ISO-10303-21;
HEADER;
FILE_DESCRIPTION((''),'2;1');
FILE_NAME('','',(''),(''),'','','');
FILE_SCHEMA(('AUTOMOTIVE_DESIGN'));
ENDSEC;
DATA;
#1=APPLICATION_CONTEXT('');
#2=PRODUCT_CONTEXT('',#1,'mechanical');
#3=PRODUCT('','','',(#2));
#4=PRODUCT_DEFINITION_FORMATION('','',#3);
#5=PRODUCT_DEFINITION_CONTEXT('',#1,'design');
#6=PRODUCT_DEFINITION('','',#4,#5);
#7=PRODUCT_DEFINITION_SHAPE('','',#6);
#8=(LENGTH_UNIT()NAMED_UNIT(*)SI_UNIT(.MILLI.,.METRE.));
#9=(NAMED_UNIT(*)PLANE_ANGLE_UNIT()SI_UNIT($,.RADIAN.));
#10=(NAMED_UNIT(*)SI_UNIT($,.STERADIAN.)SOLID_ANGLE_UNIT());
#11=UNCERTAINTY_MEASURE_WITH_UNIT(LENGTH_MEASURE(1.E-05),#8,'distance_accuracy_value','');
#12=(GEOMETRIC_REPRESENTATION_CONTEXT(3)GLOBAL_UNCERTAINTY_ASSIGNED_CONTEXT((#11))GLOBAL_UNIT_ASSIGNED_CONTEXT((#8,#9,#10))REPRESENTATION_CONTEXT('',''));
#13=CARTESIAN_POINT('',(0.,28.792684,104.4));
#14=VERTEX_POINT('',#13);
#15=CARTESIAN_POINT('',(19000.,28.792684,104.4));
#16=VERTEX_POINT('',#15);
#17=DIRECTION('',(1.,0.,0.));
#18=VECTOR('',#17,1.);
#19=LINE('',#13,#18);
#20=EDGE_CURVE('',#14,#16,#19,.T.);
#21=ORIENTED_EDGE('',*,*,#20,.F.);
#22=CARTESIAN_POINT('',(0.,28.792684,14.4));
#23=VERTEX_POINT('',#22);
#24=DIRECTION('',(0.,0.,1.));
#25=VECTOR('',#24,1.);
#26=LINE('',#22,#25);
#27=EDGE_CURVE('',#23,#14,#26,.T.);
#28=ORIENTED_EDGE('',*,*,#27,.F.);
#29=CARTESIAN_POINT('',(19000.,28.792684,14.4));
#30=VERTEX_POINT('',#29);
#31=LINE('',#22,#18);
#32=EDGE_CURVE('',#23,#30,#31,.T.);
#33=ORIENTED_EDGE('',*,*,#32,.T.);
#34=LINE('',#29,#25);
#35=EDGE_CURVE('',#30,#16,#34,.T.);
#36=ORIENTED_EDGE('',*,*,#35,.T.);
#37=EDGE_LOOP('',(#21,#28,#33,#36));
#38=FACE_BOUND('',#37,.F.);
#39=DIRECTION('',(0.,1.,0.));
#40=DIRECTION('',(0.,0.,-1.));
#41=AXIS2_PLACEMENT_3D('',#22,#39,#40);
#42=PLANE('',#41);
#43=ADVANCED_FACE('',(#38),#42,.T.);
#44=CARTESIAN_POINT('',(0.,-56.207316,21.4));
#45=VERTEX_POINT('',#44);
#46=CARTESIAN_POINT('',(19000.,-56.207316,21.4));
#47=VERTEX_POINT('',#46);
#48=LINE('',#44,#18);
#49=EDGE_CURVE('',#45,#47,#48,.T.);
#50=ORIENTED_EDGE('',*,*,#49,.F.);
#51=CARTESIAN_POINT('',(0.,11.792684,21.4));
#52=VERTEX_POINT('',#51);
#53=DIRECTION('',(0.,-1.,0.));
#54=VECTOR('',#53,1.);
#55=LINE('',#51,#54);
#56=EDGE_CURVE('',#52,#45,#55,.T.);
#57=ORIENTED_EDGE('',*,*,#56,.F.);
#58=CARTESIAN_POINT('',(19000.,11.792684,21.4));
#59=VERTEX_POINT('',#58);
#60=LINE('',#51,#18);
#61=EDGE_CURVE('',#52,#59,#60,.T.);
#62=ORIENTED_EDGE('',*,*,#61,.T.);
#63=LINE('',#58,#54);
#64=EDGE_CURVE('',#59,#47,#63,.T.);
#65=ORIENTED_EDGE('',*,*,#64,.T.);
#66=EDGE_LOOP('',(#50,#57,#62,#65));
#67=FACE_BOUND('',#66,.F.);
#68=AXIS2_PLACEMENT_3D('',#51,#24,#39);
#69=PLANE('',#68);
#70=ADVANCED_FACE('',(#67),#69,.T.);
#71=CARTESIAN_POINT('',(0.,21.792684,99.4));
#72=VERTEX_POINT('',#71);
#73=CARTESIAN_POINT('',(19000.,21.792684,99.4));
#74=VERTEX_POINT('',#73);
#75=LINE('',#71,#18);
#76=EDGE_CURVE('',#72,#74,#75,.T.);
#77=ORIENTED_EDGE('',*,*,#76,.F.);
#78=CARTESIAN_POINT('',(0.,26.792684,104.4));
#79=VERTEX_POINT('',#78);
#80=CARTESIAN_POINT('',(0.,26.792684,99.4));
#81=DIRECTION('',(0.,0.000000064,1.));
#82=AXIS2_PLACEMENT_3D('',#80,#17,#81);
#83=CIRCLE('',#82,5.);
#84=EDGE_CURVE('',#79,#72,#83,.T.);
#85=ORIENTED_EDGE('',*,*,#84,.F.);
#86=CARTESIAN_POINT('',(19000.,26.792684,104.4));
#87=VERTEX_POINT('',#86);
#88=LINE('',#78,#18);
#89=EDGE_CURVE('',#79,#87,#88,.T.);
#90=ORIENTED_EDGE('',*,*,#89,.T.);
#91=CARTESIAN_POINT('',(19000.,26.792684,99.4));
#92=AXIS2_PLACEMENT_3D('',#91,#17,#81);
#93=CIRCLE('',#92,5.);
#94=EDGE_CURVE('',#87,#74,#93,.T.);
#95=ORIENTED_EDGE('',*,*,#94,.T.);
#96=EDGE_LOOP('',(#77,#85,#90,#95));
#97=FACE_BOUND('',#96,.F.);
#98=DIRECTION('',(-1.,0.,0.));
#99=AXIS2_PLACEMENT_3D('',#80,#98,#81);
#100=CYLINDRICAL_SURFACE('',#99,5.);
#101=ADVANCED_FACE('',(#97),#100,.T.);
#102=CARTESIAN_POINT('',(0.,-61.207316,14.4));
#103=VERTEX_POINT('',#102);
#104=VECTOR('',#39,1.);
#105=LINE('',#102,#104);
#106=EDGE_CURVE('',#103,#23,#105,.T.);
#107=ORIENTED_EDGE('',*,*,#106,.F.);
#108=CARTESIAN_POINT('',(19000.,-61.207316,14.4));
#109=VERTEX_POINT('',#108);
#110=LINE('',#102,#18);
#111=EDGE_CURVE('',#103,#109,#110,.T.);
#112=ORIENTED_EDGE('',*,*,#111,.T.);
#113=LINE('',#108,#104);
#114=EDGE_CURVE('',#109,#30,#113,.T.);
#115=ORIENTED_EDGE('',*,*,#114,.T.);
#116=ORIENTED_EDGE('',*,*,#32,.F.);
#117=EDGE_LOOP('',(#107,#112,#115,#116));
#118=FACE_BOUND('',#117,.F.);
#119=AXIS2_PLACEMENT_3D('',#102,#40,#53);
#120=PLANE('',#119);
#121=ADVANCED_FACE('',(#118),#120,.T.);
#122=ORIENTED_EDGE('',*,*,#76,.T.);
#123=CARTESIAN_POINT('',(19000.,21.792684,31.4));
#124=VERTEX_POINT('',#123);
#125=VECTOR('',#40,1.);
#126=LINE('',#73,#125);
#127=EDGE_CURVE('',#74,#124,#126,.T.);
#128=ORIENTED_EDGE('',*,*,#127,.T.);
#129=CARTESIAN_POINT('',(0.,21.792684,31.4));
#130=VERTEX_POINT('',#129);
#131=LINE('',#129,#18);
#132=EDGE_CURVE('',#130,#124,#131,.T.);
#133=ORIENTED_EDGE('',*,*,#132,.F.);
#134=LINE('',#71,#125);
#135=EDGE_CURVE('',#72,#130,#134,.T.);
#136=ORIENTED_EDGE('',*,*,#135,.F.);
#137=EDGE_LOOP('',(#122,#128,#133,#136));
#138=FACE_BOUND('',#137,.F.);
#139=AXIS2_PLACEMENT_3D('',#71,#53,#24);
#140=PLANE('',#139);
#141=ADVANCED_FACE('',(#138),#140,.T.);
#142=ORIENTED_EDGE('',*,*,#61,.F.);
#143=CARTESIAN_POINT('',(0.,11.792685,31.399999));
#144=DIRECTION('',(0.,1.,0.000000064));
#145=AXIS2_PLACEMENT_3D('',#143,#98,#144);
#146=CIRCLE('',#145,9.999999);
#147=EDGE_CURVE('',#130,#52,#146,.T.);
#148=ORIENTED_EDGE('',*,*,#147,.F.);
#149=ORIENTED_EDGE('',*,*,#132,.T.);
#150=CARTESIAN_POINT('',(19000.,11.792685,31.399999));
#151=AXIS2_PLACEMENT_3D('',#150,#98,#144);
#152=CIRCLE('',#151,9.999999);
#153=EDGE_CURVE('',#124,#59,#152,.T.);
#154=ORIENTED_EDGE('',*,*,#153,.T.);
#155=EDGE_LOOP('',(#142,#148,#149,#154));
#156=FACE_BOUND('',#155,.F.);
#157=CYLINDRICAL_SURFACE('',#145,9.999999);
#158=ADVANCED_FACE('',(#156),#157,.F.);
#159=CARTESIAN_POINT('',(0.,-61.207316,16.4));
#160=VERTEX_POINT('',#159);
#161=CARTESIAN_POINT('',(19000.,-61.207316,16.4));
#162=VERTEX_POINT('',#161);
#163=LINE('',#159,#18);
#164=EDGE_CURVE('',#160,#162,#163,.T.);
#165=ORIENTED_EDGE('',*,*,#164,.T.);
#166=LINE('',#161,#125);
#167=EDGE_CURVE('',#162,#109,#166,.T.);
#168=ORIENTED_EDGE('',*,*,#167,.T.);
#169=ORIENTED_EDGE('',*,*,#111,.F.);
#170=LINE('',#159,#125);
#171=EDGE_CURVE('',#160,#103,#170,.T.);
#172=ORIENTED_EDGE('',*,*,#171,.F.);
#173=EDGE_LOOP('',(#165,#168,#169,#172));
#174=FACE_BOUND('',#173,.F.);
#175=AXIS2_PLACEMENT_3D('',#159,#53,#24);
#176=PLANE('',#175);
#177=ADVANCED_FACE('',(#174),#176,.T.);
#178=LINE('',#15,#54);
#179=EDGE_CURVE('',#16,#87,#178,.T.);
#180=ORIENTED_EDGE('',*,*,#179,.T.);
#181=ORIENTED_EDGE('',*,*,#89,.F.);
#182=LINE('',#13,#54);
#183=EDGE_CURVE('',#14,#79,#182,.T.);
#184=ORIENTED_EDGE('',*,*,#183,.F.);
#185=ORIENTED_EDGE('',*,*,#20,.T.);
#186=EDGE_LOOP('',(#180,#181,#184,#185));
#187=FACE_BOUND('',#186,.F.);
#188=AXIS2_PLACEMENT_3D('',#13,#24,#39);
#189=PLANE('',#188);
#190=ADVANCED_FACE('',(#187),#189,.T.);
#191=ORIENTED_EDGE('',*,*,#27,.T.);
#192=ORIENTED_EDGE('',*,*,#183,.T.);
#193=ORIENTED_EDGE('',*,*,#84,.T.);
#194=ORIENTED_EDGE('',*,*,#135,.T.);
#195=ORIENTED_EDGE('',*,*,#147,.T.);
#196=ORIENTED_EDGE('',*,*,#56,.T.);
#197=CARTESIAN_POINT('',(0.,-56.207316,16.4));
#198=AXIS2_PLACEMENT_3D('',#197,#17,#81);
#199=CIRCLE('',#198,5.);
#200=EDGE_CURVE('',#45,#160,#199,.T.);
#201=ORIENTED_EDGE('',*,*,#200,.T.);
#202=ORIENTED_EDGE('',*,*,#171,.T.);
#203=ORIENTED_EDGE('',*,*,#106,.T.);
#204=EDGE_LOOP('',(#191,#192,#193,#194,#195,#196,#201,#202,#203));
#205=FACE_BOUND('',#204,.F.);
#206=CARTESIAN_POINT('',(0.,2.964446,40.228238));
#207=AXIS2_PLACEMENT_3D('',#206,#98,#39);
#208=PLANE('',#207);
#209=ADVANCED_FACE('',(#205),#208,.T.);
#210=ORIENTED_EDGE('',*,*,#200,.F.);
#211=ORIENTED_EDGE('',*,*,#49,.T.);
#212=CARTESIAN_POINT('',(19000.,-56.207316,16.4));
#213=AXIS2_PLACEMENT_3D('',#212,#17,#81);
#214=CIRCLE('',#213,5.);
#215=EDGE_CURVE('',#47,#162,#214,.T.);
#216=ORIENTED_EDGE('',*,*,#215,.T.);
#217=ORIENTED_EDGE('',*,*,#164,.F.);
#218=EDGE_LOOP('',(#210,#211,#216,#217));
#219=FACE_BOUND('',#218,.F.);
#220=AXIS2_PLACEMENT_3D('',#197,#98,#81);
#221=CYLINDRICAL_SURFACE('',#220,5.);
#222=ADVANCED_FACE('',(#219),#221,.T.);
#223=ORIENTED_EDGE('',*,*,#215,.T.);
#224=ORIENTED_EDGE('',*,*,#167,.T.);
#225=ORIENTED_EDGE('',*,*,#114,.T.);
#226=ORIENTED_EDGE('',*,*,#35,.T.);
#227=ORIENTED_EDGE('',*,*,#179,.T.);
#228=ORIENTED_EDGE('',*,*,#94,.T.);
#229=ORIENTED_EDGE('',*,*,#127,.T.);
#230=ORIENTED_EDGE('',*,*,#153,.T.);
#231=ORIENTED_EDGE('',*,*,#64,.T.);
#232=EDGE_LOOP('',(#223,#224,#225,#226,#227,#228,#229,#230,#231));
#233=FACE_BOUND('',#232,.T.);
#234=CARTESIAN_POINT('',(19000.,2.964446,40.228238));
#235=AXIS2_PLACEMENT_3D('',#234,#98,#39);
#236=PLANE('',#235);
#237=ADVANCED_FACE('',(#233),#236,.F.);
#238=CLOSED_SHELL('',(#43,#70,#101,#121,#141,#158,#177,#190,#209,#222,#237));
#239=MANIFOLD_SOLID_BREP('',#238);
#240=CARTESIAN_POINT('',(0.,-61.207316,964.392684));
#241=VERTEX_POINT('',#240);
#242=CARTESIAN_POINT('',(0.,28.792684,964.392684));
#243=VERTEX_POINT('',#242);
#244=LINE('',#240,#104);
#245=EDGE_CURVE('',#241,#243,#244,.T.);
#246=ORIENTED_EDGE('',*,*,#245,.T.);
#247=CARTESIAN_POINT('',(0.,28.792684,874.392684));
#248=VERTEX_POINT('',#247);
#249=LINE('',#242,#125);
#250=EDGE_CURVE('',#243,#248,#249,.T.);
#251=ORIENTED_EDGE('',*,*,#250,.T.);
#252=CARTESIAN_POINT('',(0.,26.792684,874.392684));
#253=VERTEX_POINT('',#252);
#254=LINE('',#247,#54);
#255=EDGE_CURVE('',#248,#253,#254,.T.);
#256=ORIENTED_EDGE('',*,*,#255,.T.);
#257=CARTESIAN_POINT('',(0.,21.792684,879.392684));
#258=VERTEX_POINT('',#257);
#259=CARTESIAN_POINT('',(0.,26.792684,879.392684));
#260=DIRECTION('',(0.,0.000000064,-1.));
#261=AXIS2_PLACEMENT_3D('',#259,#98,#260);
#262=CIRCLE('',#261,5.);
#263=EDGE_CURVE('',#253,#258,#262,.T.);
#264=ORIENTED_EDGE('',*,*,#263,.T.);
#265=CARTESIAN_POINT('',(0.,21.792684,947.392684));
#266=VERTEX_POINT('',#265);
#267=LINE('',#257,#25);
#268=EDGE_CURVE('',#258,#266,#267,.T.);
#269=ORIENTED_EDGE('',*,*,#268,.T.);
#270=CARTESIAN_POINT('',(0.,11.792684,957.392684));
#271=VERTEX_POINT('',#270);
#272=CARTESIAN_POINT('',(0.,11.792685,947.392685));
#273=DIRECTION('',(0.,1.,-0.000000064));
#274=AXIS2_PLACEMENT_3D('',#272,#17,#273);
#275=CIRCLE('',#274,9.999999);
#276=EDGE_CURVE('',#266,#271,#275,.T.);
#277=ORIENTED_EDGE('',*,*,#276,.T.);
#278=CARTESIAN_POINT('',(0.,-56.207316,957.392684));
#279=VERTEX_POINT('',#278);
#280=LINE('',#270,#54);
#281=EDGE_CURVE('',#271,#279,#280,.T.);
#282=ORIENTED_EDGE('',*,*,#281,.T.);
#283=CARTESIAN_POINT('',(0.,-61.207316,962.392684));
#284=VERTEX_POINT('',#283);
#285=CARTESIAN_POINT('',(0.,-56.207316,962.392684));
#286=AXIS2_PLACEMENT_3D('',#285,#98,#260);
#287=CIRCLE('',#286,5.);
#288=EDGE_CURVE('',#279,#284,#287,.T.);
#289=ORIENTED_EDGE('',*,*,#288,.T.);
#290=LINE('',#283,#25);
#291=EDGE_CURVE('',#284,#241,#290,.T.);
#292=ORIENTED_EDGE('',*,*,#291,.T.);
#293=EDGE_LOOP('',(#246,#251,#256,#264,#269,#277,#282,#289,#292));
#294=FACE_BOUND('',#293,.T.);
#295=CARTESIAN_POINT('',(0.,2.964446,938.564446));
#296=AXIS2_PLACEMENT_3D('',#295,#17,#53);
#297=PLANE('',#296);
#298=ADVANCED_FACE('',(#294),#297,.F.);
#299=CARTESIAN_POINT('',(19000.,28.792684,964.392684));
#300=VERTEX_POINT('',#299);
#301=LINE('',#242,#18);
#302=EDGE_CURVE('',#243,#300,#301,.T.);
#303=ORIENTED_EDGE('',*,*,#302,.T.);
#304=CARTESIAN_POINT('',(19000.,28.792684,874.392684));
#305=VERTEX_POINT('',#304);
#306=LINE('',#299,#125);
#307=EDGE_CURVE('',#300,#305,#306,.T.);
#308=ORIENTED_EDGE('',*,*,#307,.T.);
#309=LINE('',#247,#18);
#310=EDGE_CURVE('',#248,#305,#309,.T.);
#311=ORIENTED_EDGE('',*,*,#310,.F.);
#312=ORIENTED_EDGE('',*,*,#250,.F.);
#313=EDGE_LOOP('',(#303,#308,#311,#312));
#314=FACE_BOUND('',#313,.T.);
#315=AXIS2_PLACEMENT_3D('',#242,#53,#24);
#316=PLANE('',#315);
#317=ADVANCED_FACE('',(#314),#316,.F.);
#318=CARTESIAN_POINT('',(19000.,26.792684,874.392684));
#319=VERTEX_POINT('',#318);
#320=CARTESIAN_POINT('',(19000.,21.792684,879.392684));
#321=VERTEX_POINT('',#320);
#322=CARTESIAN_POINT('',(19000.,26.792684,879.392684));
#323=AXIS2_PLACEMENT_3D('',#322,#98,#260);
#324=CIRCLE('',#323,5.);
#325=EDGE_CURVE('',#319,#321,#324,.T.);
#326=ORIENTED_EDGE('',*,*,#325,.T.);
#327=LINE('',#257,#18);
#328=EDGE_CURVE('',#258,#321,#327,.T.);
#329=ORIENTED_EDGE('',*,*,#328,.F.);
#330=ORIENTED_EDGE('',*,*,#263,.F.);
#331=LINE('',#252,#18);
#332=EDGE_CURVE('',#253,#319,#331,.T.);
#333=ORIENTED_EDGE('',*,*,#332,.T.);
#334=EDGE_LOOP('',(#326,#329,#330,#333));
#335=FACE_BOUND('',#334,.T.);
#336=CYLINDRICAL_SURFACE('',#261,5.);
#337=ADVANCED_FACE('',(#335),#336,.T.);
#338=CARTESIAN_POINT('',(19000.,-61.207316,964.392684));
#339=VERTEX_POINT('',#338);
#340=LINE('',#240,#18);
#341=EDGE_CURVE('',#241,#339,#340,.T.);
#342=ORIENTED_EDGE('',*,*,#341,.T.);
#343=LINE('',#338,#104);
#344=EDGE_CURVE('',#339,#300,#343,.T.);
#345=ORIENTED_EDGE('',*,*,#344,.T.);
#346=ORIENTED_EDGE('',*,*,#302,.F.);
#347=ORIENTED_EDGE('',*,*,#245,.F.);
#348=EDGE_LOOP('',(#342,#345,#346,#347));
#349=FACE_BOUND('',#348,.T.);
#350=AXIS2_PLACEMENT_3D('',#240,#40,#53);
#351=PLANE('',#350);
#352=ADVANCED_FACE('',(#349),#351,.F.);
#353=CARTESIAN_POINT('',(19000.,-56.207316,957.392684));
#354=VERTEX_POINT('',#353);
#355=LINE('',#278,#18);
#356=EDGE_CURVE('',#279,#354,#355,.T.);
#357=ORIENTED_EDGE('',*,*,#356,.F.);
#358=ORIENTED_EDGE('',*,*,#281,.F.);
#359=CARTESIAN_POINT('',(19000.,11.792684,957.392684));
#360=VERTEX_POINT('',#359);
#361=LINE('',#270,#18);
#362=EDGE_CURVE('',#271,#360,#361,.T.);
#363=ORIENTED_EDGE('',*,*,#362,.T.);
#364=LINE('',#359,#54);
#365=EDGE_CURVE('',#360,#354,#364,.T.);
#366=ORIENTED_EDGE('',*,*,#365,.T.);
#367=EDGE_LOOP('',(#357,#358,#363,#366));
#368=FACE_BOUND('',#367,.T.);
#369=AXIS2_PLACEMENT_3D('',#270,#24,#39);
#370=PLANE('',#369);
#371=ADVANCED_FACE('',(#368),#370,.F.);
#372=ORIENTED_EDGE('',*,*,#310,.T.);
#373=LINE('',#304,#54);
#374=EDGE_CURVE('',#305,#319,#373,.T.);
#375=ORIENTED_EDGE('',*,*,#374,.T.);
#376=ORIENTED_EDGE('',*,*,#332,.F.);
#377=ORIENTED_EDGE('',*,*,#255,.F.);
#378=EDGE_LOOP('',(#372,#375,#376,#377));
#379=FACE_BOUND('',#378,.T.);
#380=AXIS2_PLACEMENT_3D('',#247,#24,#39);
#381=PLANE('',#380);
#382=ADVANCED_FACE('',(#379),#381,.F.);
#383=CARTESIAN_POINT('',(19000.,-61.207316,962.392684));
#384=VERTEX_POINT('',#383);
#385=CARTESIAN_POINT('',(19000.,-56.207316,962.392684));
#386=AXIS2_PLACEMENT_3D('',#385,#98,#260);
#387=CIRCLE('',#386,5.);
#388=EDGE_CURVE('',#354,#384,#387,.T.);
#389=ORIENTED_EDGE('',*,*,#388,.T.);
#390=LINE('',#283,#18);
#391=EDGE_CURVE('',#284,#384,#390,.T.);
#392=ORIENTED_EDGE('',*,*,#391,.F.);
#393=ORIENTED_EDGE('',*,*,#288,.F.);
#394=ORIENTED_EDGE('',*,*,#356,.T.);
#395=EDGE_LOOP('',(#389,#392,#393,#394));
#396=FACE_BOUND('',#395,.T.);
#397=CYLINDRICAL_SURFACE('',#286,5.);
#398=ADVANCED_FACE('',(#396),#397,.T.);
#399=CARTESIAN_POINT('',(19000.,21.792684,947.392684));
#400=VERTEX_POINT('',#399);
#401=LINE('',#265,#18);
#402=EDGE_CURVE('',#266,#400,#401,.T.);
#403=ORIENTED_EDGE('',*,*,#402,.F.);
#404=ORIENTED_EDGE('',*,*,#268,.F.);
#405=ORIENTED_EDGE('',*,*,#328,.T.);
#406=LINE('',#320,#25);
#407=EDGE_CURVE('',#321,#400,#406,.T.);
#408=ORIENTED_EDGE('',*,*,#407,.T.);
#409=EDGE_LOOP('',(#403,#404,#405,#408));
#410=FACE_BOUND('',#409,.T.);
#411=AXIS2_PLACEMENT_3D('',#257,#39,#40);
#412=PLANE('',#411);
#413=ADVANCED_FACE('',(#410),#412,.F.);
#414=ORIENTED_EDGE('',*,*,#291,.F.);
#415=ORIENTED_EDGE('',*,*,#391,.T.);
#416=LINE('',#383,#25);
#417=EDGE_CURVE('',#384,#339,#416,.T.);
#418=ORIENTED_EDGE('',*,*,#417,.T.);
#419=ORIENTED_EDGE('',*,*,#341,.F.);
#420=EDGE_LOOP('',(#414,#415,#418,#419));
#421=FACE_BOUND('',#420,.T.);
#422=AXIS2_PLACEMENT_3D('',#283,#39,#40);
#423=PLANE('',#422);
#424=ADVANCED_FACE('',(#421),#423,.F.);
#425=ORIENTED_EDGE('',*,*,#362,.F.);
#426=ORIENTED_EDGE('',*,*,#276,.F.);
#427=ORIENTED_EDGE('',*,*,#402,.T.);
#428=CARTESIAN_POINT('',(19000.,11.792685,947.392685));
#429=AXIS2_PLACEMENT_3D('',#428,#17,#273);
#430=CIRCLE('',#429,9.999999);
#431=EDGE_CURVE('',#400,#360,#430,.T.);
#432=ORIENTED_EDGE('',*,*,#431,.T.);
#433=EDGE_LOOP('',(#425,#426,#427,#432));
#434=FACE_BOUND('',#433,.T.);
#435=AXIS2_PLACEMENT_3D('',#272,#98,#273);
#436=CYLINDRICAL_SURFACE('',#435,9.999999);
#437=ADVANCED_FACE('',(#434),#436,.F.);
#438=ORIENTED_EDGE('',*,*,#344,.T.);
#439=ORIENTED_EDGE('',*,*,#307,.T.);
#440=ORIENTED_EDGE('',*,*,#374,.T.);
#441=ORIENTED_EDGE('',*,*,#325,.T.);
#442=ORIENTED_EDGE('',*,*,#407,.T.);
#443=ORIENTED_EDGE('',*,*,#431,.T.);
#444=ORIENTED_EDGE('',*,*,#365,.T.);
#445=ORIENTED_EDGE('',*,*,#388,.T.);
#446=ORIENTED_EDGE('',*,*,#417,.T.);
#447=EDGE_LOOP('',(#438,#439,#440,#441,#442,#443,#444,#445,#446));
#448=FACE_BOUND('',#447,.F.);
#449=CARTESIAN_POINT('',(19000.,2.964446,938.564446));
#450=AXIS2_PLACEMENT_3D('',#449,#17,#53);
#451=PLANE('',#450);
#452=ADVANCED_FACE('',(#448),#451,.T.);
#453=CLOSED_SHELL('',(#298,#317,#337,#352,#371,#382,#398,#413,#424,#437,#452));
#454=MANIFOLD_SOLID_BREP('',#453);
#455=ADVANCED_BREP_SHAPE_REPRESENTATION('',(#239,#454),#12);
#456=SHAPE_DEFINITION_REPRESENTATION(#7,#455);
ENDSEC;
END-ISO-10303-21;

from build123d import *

# Parameters (mm, degrees)
EXTRUDE017_DEPTH = 19000
EXTRUDE018_DEPTH = 19000


with BuildPart() as extrude017:
    # AngleSteel004 → Extrude017 (new body)
    with BuildSketch(Plane(origin=(0, 53.415282, 39.015282), x_dir=(0, 1, 0), z_dir=(-1, 0, 0))):
        with BuildLine():
            Line((-24.615282, 24.615282), (-24.615282, -65.384718))
            Line((-24.615282, -65.384718), (-22.615282, -65.384718))
            ThreePointArc((-22.615282, -65.384718), (-19.079748, -63.920252), (-17.615282, -60.384718))
            Line((-17.615282, -60.384718), (-17.615282, 7.615282))
            ThreePointArc((-17.615282, 7.615282), (-14.68635, 14.68635), (-7.615282, 17.615282))
            Line((-7.615282, 17.615282), (60.384718, 17.615282))
            ThreePointArc((60.384718, 17.615282), (63.920252, 19.079748), (65.384718, 22.615282))
            Line((65.384718, 22.615282), (65.384718, 24.615282))
            Line((65.384718, 24.615282), (-24.615282, 24.615282))
        make_face()
    extrude(amount=-EXTRUDE017_DEPTH)


with BuildPart() as fusion001:
    # Mirror → Extrude018 (new body)
    with BuildSketch(Plane(origin=(0, 53.415282, 939.777402), x_dir=(0, -1, 0), z_dir=(1, 0, 0))):
        with BuildLine():
            Line((24.615282, -24.615282), (24.615282, 65.384718))
            Line((24.615282, 65.384718), (22.615282, 65.384718))
            ThreePointArc((22.615282, 65.384718), (19.079748, 63.920252), (17.615282, 60.384718))
            Line((17.615282, 60.384718), (17.615282, -7.615282))
            ThreePointArc((17.615282, -7.615282), (14.68635, -14.68635), (7.615282, -17.615282))
            Line((7.615282, -17.615282), (-60.384718, -17.615282))
            ThreePointArc((-60.384718, -17.615282), (-63.920252, -19.079748), (-65.384718, -22.615282))
            Line((-65.384718, -22.615282), (-65.384718, -24.615282))
            Line((-65.384718, -24.615282), (24.615282, -24.615282))
        make_face()
    extrude(amount=EXTRUDE018_DEPTH)

    # Fusion001: union Extrude017
    add(extrude017.part)


with BuildPart() as fusion_mirrored:
    # Mirror001: instance of Fusion001
    add(fusion001.part.mirror(Plane(origin=(0, 28.796342, 514.396342), x_dir=(-1, 0, 0), z_dir=(0, -1, 0))))


with BuildPart() as fusion_mirrored_1:
    # Mirror001 placement: moved
    add(fusion_mirrored.part.moved(Location((0, -6, 0))))


solid = fusion_mirrored_1.part
